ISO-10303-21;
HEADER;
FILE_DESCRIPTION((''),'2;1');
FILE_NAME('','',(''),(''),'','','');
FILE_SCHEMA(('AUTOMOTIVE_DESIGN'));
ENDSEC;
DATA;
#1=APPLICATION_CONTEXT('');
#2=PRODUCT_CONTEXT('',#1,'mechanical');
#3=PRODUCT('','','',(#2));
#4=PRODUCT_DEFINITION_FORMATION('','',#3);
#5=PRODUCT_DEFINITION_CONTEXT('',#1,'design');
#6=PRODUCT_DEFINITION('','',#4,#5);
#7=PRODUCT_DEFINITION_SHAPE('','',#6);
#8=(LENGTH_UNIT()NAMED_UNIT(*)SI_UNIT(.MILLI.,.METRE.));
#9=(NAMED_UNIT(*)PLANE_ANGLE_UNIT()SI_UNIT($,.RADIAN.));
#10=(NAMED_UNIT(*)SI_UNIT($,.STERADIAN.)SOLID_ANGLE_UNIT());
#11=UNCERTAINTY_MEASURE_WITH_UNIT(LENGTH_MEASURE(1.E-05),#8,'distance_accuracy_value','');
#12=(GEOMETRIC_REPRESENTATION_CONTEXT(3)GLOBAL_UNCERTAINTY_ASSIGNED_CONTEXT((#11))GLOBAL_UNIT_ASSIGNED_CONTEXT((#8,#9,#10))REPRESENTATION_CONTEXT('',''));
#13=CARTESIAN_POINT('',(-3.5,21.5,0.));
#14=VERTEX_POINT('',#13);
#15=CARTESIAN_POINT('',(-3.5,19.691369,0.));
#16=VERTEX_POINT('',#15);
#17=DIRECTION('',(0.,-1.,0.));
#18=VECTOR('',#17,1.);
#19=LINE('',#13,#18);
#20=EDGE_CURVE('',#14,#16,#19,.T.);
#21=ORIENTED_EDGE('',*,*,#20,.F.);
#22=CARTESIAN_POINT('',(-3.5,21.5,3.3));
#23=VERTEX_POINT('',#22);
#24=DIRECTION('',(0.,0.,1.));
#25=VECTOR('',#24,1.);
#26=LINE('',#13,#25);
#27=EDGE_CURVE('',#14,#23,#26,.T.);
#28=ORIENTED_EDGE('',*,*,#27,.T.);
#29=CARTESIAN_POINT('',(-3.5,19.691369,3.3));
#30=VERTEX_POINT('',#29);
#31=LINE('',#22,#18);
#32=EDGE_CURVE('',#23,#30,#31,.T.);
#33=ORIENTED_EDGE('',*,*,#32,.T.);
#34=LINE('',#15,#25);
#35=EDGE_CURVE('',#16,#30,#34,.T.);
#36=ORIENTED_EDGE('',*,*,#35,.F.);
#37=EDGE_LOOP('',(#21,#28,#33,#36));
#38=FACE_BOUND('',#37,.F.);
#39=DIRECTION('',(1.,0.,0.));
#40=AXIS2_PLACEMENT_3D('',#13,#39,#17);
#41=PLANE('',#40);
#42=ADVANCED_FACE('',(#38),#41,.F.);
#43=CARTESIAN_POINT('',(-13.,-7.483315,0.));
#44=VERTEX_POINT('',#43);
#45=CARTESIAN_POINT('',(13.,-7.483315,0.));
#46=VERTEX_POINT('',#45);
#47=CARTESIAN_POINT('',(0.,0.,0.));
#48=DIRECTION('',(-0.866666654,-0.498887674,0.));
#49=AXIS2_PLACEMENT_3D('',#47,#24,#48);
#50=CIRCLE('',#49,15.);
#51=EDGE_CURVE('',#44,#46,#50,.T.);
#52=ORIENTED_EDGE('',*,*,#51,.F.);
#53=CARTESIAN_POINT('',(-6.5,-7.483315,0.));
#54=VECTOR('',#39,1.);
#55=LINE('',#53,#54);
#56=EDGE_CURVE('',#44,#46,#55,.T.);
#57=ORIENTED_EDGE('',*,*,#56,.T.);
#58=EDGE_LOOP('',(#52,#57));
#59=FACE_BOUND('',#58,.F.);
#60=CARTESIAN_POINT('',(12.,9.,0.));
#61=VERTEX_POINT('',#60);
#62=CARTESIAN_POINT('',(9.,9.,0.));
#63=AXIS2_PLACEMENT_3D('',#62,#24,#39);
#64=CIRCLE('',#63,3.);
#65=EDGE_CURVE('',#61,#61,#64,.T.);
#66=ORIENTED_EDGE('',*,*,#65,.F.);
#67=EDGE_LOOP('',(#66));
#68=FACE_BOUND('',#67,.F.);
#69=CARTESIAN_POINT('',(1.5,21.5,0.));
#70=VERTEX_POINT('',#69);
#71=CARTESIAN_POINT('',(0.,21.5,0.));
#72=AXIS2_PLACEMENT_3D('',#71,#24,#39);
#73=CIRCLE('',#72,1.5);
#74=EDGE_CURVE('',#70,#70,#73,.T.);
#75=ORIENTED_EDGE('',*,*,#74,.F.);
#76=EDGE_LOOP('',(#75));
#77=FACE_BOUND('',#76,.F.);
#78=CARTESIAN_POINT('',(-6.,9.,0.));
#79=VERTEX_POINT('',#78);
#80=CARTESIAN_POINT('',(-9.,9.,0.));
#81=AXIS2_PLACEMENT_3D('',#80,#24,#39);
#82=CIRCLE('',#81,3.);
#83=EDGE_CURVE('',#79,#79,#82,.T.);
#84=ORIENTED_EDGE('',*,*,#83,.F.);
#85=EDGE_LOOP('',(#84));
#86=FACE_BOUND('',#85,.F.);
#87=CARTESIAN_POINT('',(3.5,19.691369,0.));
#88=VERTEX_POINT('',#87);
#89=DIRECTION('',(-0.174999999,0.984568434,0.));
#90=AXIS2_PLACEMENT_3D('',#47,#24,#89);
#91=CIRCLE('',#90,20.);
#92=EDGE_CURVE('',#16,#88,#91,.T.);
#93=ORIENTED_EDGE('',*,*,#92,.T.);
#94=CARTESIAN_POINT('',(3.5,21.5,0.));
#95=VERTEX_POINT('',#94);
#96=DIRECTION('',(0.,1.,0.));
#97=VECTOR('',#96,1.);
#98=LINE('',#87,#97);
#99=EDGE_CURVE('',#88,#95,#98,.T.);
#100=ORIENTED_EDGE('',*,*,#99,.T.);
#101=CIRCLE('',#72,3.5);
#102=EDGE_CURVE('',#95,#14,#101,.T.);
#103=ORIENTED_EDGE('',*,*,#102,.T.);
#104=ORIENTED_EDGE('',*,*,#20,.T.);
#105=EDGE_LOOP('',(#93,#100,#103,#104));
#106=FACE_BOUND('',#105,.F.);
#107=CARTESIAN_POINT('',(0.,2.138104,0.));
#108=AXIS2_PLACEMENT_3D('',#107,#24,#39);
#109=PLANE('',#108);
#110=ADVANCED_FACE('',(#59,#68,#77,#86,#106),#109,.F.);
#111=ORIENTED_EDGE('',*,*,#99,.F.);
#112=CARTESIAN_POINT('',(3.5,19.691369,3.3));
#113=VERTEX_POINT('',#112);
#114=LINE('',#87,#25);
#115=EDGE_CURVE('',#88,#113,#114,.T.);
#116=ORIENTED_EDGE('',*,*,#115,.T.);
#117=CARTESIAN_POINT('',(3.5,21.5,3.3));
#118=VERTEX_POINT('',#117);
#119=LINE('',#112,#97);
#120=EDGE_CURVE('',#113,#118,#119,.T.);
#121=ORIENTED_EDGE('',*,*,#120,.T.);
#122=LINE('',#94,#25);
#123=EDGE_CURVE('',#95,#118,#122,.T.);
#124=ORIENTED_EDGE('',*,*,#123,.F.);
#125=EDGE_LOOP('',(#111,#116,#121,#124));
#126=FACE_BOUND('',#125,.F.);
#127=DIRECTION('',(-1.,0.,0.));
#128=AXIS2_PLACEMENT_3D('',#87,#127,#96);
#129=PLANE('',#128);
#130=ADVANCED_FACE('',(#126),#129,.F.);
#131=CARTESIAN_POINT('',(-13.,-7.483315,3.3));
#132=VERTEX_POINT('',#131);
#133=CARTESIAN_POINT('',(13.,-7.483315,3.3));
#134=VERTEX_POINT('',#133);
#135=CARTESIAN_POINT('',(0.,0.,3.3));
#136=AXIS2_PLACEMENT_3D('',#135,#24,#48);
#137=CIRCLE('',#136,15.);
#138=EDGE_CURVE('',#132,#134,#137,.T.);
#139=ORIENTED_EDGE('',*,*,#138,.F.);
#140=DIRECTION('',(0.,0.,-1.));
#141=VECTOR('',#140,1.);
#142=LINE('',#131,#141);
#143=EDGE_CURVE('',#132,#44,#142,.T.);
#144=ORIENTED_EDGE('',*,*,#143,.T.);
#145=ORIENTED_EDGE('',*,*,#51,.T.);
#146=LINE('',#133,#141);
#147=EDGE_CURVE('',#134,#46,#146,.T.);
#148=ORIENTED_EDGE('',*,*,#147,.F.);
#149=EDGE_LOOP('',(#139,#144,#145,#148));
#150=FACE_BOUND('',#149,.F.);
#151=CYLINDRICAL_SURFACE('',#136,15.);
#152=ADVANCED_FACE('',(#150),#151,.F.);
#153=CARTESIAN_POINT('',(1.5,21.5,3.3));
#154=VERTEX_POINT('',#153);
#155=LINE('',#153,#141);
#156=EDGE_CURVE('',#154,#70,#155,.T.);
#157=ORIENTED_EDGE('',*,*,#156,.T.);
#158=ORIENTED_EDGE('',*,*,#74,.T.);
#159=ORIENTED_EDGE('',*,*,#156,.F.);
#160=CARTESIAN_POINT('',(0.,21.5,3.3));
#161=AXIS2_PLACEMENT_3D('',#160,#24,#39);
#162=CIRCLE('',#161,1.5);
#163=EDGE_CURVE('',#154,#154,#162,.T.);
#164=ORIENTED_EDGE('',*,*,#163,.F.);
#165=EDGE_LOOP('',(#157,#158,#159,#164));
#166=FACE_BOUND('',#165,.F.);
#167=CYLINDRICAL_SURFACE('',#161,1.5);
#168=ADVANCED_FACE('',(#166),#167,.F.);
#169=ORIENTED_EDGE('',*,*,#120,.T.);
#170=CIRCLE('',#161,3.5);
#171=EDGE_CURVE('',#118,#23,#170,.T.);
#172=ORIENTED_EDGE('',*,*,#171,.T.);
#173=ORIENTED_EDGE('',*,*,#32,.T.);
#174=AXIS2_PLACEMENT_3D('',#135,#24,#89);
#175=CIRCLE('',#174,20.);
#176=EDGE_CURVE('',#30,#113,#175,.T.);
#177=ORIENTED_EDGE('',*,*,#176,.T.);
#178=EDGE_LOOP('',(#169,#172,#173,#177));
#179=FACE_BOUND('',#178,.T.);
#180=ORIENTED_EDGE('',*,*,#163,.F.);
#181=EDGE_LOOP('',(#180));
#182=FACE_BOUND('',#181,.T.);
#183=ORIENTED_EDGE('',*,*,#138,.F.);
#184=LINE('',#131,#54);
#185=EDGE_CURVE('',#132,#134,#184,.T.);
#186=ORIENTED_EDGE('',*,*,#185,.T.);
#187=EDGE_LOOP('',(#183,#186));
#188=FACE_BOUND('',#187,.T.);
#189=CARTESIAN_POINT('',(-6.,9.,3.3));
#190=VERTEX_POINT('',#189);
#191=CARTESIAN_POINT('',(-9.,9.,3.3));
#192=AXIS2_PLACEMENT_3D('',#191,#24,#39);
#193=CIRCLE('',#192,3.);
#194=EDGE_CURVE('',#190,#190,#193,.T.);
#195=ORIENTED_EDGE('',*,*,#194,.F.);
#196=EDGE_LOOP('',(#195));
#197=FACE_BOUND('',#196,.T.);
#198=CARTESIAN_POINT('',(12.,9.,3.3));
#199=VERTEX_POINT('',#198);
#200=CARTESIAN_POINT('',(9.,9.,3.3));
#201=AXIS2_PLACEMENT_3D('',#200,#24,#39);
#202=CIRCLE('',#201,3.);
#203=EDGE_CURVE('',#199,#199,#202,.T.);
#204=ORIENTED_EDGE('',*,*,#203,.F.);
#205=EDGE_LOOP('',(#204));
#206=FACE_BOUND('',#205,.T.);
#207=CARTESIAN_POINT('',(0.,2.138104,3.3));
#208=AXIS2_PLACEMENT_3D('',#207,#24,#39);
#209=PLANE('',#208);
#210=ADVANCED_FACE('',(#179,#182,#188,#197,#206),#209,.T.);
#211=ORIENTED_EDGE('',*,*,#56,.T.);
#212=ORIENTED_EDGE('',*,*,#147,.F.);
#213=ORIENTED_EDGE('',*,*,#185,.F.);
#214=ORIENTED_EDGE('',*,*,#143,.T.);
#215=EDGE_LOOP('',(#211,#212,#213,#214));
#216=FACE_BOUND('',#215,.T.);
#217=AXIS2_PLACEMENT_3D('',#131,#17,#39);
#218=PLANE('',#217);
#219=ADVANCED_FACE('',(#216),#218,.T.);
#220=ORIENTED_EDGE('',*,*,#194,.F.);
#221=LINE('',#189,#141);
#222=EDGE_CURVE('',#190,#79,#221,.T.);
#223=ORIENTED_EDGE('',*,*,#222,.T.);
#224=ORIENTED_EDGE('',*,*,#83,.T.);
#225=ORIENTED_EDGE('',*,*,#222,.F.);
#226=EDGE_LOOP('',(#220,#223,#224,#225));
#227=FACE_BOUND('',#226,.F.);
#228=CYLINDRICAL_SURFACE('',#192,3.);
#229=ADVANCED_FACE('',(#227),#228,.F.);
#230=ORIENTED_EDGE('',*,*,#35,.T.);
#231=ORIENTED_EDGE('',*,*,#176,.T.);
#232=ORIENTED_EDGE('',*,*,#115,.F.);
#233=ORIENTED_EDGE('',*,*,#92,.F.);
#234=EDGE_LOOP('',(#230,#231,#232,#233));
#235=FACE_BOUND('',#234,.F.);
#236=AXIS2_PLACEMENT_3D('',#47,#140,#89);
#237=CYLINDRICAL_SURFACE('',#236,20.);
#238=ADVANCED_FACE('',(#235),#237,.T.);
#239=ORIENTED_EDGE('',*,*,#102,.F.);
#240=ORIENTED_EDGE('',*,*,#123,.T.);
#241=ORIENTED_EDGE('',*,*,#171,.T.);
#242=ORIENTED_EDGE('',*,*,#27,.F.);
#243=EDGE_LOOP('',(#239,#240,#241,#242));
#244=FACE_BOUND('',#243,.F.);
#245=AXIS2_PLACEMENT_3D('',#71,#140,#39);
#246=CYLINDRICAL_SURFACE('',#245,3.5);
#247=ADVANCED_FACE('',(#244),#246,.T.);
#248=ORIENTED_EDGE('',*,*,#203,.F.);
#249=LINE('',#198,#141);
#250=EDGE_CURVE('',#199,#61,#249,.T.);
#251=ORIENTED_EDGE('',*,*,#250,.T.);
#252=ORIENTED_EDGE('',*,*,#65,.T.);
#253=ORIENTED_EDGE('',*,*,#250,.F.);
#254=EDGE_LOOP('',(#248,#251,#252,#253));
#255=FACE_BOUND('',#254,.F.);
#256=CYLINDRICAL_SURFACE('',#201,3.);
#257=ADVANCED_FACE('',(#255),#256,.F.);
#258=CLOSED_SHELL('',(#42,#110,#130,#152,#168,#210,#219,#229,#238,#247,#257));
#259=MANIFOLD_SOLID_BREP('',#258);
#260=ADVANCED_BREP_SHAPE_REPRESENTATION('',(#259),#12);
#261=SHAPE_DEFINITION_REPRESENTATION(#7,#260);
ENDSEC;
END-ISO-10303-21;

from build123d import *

# Parameters (mm, degrees)
EXTRUDE_DEPTH   = 3.3
SKETCH001_R     = 1.5
POCKET_DEPTH    = 3.301
SKETCH002_R     = 3
POCKET001_DEPTH = 5


with BuildPart() as part:
    # Sketch → Extrude (new body)
    with BuildSketch(Plane.XY):
        with BuildLine():
            ThreePointArc((3.5, 21.5), (0, 25), (-3.5, 21.5))
            Line((-3.5, 21.5), (-3.5, 19.691369))
            ThreePointArc((-3.5, 19.691369), (0, -20), (3.5, 19.691369))
            Line((3.5, 19.691369), (3.5, 21.5))
        make_face()
    extrude(amount=EXTRUDE_DEPTH)

    # Sketch001 → Pocket (cut, through all)
    with BuildSketch(Plane.XY.offset(3.3)):
        with Locations((0, 21.5)):
            Circle(SKETCH001_R)
    extrude(amount=-POCKET_DEPTH, mode=Mode.SUBTRACT)

    # Sketch002 → Pocket001 (cut)
    with BuildSketch(Plane.XY.offset(3.3)):
        with Locations((-9, 9)):
            Circle(SKETCH002_R)
        with Locations((9, 9)):
            Circle(SKETCH002_R)
        with BuildLine():
            ThreePointArc((-13, -7.483315), (0, -15), (13, -7.483315))
            Line((-13, -7.483315), (13, -7.483315))
        make_face()
    extrude(amount=-POCKET001_DEPTH, mode=Mode.SUBTRACT)


solid = part.part
